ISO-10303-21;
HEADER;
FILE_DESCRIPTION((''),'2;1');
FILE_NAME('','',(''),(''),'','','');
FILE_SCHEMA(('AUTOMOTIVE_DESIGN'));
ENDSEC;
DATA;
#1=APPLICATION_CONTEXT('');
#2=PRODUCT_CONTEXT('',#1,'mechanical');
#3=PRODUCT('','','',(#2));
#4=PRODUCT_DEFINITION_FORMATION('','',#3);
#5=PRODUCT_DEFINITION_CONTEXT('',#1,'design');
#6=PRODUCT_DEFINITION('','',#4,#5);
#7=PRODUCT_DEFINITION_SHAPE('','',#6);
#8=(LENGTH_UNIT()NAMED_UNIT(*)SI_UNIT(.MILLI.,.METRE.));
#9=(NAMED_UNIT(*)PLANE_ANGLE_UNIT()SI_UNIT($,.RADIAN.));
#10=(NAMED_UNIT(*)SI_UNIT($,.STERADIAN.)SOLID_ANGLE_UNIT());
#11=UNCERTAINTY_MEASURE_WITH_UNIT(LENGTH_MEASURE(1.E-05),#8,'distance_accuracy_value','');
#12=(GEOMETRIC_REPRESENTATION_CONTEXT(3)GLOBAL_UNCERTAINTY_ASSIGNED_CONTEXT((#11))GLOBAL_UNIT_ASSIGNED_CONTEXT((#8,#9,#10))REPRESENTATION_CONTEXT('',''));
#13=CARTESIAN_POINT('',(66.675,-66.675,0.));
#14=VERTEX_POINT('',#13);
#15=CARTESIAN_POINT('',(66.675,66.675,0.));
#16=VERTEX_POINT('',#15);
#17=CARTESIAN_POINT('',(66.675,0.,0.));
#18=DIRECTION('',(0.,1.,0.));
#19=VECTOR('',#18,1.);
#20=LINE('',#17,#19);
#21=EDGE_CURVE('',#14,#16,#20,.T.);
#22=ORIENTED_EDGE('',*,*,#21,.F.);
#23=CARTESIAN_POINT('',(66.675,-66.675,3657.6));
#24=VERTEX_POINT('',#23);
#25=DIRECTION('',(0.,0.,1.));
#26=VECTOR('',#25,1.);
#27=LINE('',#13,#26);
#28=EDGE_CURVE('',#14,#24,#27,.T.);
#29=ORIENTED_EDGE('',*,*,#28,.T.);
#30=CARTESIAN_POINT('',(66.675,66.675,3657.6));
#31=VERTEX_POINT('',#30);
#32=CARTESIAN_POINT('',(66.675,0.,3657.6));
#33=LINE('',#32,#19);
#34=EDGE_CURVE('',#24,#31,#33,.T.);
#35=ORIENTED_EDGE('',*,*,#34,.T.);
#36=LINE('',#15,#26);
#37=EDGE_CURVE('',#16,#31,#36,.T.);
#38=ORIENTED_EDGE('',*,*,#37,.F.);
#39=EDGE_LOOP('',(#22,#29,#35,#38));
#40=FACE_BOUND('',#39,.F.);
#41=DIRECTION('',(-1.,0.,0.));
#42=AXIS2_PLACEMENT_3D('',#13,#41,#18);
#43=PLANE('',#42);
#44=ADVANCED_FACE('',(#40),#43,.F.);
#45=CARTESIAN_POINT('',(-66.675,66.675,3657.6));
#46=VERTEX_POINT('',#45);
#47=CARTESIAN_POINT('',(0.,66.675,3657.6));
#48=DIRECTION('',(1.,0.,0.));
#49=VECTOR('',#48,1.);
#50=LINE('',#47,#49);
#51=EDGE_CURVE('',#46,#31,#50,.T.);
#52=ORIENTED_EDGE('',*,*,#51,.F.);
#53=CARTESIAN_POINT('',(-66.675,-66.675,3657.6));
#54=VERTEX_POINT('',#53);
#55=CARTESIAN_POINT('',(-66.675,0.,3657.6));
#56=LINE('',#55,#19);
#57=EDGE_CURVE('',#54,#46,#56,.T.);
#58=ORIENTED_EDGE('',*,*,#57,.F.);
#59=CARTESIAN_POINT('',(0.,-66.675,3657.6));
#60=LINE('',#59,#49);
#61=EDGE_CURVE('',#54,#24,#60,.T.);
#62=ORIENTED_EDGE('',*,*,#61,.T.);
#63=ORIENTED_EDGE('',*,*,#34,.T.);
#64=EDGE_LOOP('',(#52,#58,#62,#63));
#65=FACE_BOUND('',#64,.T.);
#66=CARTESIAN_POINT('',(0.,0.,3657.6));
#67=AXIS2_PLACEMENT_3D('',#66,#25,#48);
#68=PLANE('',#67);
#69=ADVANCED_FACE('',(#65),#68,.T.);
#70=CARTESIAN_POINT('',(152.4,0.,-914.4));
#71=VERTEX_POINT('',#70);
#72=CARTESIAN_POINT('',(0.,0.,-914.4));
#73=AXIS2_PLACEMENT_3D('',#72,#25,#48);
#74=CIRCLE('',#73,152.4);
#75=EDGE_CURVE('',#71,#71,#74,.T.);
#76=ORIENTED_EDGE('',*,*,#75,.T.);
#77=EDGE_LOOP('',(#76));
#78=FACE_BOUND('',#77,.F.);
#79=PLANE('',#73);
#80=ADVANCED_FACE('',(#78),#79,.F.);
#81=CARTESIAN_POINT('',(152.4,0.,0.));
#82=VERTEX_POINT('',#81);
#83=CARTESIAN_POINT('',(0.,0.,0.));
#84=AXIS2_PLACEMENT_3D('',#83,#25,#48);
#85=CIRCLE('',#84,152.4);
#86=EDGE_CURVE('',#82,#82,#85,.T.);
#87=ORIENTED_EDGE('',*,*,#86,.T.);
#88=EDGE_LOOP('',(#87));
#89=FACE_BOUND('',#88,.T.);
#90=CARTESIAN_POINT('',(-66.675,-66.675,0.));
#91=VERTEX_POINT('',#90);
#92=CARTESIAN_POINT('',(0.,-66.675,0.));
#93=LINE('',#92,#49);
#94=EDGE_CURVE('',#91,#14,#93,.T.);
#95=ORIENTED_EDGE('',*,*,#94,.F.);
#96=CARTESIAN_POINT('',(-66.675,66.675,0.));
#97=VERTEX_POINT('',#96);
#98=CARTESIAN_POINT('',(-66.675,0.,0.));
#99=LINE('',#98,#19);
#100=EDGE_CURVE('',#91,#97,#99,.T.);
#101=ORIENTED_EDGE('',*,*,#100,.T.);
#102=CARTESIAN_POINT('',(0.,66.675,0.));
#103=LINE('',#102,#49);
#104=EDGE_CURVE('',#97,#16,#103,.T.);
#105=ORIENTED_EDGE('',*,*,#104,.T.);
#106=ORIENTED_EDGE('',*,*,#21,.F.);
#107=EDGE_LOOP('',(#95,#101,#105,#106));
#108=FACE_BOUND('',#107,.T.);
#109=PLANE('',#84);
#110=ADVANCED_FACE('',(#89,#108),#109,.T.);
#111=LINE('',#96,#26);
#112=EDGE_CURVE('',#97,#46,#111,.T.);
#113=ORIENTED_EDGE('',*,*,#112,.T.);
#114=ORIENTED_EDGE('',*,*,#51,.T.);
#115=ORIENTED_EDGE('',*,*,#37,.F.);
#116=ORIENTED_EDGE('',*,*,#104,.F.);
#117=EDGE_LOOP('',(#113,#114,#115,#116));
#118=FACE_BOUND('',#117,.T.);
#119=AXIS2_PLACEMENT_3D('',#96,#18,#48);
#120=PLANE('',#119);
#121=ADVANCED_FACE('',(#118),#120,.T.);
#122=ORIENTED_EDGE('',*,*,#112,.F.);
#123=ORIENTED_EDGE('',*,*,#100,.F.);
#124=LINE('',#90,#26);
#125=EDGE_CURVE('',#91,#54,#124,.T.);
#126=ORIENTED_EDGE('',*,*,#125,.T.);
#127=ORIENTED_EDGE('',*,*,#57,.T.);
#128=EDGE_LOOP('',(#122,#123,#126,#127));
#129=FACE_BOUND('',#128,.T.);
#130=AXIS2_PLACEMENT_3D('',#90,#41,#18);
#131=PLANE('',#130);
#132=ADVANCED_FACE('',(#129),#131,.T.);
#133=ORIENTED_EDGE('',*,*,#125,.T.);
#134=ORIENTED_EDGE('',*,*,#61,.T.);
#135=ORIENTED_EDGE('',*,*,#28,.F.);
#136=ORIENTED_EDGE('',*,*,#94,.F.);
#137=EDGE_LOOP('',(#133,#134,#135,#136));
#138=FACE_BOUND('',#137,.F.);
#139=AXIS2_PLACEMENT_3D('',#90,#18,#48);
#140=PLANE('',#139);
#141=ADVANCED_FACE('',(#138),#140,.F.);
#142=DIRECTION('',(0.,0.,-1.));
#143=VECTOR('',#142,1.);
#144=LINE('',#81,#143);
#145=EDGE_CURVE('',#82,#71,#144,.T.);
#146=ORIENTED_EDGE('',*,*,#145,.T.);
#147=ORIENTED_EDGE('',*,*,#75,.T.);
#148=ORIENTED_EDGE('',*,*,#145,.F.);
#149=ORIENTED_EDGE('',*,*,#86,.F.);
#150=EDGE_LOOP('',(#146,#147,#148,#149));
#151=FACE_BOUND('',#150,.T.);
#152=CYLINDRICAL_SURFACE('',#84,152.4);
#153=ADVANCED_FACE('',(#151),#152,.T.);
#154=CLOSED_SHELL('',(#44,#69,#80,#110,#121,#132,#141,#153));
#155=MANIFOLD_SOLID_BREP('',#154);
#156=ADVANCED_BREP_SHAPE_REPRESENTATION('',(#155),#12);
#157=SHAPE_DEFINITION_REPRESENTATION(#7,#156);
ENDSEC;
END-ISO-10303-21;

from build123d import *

# Parameters (mm, degrees)
F0_R     = 152.4
F1_DEPTH = 914.4
F2_W     = 133.35
F2_H     = 133.35
F3_DEPTH = 3657.6


with BuildPart() as f1:
    # F0 (on Top) → F1 (new body)
    with BuildSketch(Plane.XY):
        Circle(F0_R)
    extrude(amount=-F1_DEPTH)

    # F2 (on face) → F3 (join)
    with BuildSketch(Plane.XY):
        Rectangle(F2_W, F2_H)
    extrude(amount=F3_DEPTH)


solid = f1.part
